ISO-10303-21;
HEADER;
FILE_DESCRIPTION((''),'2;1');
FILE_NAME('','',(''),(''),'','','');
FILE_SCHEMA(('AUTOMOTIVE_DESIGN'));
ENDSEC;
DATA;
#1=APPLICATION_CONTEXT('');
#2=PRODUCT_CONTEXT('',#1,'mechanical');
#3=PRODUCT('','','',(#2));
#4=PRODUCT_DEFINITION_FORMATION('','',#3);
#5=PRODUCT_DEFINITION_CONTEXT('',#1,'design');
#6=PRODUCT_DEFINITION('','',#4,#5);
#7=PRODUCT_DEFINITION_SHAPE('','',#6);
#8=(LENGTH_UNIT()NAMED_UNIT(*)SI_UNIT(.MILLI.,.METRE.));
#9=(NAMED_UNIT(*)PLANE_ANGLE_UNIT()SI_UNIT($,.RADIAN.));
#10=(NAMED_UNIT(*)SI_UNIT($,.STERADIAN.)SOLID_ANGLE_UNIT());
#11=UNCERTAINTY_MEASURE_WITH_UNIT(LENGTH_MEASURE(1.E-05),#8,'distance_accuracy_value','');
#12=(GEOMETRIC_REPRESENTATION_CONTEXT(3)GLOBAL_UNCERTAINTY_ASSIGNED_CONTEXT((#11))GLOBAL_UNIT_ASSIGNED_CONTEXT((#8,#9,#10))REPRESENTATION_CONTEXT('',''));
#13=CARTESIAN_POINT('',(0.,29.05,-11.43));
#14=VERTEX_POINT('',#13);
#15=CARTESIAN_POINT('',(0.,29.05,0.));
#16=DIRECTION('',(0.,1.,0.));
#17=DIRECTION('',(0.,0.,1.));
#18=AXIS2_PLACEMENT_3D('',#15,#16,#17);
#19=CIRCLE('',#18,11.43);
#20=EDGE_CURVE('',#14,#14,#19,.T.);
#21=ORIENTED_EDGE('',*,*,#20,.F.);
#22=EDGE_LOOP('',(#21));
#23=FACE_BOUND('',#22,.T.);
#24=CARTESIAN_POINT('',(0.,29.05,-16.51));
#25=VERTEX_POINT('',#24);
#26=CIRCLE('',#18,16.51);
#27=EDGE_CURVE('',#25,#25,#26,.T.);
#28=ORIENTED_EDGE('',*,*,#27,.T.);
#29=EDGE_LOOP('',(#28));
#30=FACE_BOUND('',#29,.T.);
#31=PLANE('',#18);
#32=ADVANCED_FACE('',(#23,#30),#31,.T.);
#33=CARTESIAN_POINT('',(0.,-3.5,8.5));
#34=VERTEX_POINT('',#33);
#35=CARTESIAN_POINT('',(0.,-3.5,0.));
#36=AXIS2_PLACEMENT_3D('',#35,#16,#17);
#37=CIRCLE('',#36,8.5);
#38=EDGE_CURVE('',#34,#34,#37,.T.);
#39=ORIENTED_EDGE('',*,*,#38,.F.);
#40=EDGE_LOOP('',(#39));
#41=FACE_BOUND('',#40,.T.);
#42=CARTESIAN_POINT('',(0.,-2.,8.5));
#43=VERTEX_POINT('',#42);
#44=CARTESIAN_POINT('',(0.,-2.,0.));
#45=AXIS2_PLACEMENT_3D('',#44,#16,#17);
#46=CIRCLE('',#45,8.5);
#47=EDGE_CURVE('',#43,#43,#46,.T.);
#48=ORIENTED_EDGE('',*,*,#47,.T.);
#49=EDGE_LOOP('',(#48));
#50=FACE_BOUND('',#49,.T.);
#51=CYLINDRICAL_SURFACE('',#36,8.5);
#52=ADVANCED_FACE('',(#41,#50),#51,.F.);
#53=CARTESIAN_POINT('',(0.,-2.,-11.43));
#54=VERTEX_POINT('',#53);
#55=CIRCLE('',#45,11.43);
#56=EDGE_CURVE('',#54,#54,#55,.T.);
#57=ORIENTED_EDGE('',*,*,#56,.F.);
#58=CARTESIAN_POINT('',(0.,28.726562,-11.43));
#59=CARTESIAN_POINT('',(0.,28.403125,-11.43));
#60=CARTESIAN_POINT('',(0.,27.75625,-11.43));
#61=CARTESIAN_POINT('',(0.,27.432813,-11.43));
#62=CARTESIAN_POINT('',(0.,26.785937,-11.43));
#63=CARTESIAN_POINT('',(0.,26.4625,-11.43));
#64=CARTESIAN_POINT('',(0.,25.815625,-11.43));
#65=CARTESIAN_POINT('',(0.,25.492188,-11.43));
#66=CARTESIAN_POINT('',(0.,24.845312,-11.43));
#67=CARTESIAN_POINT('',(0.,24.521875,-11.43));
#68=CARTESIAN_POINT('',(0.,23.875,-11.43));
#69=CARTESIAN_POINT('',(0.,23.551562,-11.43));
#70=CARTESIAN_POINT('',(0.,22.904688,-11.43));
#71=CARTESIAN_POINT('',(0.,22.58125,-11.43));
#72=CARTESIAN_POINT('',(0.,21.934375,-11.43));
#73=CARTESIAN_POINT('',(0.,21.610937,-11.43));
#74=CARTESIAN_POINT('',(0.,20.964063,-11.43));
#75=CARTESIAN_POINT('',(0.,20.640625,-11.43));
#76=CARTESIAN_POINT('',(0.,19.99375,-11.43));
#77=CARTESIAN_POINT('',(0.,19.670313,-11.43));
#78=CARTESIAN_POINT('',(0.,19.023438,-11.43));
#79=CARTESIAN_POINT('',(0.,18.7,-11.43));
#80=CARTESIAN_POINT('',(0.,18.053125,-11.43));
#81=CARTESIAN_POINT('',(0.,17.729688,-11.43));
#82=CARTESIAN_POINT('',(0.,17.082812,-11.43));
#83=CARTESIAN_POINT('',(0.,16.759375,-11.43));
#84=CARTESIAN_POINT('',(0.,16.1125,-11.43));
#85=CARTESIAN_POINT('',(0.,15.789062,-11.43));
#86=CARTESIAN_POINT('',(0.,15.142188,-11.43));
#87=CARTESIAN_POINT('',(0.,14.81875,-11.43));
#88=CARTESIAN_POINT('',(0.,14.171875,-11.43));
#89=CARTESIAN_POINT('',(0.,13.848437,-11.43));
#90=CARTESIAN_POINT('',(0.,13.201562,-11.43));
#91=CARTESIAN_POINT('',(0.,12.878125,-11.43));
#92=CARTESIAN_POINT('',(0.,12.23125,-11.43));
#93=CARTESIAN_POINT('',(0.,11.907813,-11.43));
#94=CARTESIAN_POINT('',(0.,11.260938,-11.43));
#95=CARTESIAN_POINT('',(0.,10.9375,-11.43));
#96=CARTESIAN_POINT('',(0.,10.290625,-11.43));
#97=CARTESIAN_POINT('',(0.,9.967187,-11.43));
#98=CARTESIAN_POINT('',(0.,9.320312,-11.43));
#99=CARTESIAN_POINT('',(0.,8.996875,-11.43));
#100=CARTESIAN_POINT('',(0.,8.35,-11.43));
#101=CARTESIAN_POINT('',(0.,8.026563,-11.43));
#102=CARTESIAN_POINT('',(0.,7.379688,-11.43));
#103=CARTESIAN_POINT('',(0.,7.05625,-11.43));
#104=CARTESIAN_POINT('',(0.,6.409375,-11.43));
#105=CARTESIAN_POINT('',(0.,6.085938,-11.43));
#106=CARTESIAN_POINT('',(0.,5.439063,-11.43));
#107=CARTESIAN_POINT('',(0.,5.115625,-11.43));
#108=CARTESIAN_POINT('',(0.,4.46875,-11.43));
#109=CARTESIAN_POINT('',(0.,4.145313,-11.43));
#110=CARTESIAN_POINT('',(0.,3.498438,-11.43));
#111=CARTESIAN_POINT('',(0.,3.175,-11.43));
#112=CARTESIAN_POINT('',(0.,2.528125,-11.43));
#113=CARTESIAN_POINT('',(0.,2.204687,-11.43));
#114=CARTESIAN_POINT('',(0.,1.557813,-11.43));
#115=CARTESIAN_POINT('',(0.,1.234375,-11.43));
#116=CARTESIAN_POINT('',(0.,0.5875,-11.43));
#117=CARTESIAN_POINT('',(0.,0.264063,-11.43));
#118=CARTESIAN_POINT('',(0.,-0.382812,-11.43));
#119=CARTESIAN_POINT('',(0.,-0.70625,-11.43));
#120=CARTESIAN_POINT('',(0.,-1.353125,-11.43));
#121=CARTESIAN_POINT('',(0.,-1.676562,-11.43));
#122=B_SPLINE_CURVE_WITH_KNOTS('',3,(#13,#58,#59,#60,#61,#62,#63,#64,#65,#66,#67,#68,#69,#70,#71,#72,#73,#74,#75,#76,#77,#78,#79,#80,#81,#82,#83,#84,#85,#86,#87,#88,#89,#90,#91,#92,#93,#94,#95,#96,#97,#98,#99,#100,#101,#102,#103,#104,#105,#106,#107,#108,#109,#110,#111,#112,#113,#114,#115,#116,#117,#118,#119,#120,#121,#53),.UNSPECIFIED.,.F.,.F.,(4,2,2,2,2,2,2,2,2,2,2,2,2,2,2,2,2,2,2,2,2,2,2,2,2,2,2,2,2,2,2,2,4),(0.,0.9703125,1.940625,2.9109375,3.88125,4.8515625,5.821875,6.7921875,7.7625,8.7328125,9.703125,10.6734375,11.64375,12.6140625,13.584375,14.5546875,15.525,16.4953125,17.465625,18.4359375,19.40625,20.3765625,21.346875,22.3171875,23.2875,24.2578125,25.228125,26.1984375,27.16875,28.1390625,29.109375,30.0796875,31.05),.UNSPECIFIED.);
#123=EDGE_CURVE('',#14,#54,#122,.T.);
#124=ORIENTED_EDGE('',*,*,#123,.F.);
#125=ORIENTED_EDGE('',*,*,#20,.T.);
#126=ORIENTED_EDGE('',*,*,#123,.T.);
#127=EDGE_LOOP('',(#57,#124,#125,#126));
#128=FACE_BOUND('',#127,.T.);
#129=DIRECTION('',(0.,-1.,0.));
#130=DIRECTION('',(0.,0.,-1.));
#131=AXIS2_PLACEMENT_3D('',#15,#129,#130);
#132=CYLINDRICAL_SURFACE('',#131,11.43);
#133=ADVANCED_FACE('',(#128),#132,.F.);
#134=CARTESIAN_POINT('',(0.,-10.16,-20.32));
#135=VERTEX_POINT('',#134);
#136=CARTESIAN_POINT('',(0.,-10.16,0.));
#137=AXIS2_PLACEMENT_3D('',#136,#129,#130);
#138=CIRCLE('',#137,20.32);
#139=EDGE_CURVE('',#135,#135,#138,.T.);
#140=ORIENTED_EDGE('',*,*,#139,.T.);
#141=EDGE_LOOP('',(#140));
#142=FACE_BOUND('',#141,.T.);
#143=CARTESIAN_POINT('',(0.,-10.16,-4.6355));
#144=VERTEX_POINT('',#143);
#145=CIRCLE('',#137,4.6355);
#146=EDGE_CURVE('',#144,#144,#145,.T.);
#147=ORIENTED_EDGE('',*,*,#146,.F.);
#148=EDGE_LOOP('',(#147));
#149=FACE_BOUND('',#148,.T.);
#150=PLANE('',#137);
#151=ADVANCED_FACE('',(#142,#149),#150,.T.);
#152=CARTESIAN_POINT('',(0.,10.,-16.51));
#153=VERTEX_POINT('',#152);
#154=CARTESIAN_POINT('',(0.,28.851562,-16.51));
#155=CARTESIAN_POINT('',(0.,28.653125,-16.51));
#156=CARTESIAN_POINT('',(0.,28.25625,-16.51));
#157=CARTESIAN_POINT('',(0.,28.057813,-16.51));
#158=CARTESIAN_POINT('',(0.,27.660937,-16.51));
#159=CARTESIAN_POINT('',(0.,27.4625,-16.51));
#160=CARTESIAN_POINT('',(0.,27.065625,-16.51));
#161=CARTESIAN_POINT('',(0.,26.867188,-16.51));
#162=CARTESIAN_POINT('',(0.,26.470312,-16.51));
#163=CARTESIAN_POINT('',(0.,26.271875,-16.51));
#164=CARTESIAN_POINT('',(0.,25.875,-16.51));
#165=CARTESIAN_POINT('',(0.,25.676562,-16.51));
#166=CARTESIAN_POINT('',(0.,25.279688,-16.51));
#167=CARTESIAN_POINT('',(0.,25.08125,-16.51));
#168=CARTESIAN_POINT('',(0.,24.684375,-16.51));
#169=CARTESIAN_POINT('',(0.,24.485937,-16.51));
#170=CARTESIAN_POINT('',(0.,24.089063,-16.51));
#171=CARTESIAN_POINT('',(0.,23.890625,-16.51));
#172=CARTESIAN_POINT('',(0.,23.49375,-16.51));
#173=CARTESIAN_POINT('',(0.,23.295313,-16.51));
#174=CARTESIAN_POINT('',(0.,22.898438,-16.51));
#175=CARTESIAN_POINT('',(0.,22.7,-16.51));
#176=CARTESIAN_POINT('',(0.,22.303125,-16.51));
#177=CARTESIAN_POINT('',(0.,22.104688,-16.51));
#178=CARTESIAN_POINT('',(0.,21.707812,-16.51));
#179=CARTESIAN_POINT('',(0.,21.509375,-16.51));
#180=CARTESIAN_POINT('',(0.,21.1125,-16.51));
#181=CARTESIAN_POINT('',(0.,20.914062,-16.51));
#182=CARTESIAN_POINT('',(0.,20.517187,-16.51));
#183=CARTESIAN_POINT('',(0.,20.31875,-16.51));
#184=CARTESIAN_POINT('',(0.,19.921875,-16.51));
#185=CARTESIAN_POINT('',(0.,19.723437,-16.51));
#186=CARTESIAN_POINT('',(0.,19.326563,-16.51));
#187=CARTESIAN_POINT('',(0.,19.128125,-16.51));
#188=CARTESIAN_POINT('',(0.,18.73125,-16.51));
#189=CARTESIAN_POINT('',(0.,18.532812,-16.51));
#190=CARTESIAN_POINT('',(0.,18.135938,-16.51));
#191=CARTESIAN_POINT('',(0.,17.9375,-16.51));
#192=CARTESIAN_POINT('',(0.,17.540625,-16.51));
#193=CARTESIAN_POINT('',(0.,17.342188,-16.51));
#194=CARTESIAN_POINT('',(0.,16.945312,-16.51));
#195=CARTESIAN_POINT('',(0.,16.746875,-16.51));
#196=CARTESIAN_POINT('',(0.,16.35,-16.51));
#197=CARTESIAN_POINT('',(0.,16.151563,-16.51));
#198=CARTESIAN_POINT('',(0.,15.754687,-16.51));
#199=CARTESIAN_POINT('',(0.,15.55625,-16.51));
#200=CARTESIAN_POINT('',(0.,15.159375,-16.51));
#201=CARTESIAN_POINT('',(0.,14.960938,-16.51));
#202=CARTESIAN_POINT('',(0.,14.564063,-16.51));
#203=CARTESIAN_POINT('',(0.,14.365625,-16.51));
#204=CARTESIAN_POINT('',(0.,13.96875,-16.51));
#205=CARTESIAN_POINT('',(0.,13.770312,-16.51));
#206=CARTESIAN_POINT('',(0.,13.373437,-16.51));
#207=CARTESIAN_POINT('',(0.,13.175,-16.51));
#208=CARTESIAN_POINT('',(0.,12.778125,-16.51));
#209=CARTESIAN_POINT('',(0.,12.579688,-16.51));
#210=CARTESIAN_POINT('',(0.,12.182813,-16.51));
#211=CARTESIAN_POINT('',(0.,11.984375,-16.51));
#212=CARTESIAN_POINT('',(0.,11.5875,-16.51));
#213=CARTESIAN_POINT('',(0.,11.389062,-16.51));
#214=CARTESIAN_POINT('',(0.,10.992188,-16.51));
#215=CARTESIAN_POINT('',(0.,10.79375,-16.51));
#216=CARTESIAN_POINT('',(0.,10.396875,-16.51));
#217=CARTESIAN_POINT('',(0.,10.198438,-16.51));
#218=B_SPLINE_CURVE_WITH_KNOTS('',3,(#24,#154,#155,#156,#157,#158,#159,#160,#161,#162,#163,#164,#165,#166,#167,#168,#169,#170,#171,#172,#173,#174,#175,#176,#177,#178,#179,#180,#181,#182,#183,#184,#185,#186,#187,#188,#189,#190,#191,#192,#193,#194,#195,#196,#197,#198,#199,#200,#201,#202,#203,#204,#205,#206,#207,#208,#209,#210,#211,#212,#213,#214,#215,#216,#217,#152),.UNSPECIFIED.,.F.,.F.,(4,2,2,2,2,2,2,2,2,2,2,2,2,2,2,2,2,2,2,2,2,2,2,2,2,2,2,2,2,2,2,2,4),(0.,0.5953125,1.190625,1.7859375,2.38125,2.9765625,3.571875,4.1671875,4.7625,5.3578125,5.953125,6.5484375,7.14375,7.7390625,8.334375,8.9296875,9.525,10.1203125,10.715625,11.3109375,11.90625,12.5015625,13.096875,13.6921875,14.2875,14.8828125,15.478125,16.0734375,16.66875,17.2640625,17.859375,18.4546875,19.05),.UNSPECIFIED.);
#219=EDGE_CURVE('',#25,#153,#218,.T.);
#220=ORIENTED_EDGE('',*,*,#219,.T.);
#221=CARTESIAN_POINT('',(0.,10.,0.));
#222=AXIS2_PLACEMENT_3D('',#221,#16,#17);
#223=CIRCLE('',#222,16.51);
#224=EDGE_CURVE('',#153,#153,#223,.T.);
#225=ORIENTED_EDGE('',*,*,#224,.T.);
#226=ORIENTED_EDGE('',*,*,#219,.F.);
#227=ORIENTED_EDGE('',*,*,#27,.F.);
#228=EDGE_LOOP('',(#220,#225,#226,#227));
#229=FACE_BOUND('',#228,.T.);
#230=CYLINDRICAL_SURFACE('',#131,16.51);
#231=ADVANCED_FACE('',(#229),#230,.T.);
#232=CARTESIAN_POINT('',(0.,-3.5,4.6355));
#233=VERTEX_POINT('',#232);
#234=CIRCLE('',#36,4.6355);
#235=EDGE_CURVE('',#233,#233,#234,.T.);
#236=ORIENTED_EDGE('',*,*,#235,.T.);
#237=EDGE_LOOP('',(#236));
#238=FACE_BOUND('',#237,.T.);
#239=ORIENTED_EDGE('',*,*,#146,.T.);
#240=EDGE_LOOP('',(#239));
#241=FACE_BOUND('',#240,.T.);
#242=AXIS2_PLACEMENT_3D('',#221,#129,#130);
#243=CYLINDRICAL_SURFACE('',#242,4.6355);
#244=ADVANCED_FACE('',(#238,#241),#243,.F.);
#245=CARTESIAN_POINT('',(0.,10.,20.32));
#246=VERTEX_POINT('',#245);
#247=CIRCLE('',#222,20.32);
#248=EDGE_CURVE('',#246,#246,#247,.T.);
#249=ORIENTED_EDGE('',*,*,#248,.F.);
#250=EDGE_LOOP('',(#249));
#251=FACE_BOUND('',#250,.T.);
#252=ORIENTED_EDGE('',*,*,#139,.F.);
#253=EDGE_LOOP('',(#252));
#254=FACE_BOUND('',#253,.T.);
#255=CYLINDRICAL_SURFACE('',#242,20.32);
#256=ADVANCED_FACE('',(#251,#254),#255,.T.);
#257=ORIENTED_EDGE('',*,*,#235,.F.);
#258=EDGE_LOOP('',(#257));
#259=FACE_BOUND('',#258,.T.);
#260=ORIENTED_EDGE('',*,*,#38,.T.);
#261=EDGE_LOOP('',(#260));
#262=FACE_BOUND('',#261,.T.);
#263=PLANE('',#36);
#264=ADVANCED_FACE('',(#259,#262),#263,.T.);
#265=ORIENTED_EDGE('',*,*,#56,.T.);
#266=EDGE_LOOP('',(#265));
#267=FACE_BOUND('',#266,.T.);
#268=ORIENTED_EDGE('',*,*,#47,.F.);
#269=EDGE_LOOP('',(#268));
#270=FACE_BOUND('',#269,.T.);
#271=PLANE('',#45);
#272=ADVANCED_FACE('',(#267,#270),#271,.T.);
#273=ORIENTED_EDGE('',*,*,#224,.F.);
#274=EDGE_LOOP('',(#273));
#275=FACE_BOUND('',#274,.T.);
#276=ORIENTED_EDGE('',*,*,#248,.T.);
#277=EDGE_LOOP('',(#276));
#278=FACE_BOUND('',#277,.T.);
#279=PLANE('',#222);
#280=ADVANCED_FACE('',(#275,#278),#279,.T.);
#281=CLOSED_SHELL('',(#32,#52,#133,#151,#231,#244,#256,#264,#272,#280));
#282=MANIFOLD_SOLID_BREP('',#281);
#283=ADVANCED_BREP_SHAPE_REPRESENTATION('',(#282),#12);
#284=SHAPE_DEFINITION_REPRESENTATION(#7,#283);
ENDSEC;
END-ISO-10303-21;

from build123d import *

# Parameters (mm, degrees)
SKETCH1_R           = 20.32
SKETCH1_R_2         = 4.6355
BOSS_EXTRUDE1_DEPTH = 10
SKETCH2_R           = 16.51
SKETCH2_R_2         = 11.43
BOSS_EXTRUDE2_DEPTH = 19.05
BOSS_EXTRUDE3_START = 10.16
SKETCH3_R           = 20.32
SKETCH3_R_2         = 4.6355
BOSS_EXTRUDE3_DEPTH = 10.16
CUT_EXTRUDE1_START  = -12
SKETCH4_R           = 11.43
CUT_EXTRUDE1_DEPTH  = 12
SKETCH5_R           = 8.5
CUT_EXTRUDE2_DEPTH  = 1.5


with BuildPart() as part:
    # Sketch1 → Boss-Extrude1 (new body)
    with BuildSketch(Plane(origin=(0, 0, 0), x_dir=(1, 0, 0), z_dir=(0, 1, 0))):
        with Locations(Location((0, 0, 0), (0, 0, 270))):
            Circle(SKETCH1_R)
        with Locations(Location((0, 0, 0), (0, 0, 270))):
            Circle(SKETCH1_R_2, mode=Mode.SUBTRACT)
    extrude(amount=BOSS_EXTRUDE1_DEPTH)

    # Sketch2 → Boss-Extrude2 (add)
    with BuildSketch(Plane(origin=(0, 10, 0), x_dir=(1, 0, 0), z_dir=(0, 1, 0))):
        with Locations(Location((0, 0, 0), (0, 0, 90))):
            Circle(SKETCH2_R)
        with Locations(Location((0, 0, 0), (0, 0, 90))):
            Circle(SKETCH2_R_2, mode=Mode.SUBTRACT)
    extrude(amount=BOSS_EXTRUDE2_DEPTH)

    # Sketch3 → Boss-Extrude3 (add)
    with BuildSketch(Plane(origin=(0, 0, 0), x_dir=(-1, 0, 0), z_dir=(0, -1, 0)).offset(BOSS_EXTRUDE3_START)):
        with Locations(Location((0, 0, 0), (0, 0, 90))):
            Circle(SKETCH3_R)
        with Locations(Location((0, 0, 0), (0, 0, 90))):
            Circle(SKETCH3_R_2, mode=Mode.SUBTRACT)
    extrude(amount=-BOSS_EXTRUDE3_DEPTH)

    # Sketch4 → Cut-Extrude1 (cut)
    with BuildSketch(Plane(origin=(0, 10, 0), x_dir=(1, 0, 0), z_dir=(0, 1, 0)).offset(CUT_EXTRUDE1_START)):
        with Locations(Location((0, 0, 0), (0, 0, 90))):
            Circle(SKETCH4_R)
    extrude(amount=CUT_EXTRUDE1_DEPTH, mode=Mode.SUBTRACT)

    # Sketch5 → Cut-Extrude2 (cut)
    with BuildSketch(Plane(origin=(0, -2, 0), x_dir=(1, 0, 0), z_dir=(0, 1, 0))):
        with Locations(Location((0, 0, 0), (0, 0, 270))):
            Circle(SKETCH5_R)
    extrude(amount=-CUT_EXTRUDE2_DEPTH, mode=Mode.SUBTRACT)


solid = part.part
